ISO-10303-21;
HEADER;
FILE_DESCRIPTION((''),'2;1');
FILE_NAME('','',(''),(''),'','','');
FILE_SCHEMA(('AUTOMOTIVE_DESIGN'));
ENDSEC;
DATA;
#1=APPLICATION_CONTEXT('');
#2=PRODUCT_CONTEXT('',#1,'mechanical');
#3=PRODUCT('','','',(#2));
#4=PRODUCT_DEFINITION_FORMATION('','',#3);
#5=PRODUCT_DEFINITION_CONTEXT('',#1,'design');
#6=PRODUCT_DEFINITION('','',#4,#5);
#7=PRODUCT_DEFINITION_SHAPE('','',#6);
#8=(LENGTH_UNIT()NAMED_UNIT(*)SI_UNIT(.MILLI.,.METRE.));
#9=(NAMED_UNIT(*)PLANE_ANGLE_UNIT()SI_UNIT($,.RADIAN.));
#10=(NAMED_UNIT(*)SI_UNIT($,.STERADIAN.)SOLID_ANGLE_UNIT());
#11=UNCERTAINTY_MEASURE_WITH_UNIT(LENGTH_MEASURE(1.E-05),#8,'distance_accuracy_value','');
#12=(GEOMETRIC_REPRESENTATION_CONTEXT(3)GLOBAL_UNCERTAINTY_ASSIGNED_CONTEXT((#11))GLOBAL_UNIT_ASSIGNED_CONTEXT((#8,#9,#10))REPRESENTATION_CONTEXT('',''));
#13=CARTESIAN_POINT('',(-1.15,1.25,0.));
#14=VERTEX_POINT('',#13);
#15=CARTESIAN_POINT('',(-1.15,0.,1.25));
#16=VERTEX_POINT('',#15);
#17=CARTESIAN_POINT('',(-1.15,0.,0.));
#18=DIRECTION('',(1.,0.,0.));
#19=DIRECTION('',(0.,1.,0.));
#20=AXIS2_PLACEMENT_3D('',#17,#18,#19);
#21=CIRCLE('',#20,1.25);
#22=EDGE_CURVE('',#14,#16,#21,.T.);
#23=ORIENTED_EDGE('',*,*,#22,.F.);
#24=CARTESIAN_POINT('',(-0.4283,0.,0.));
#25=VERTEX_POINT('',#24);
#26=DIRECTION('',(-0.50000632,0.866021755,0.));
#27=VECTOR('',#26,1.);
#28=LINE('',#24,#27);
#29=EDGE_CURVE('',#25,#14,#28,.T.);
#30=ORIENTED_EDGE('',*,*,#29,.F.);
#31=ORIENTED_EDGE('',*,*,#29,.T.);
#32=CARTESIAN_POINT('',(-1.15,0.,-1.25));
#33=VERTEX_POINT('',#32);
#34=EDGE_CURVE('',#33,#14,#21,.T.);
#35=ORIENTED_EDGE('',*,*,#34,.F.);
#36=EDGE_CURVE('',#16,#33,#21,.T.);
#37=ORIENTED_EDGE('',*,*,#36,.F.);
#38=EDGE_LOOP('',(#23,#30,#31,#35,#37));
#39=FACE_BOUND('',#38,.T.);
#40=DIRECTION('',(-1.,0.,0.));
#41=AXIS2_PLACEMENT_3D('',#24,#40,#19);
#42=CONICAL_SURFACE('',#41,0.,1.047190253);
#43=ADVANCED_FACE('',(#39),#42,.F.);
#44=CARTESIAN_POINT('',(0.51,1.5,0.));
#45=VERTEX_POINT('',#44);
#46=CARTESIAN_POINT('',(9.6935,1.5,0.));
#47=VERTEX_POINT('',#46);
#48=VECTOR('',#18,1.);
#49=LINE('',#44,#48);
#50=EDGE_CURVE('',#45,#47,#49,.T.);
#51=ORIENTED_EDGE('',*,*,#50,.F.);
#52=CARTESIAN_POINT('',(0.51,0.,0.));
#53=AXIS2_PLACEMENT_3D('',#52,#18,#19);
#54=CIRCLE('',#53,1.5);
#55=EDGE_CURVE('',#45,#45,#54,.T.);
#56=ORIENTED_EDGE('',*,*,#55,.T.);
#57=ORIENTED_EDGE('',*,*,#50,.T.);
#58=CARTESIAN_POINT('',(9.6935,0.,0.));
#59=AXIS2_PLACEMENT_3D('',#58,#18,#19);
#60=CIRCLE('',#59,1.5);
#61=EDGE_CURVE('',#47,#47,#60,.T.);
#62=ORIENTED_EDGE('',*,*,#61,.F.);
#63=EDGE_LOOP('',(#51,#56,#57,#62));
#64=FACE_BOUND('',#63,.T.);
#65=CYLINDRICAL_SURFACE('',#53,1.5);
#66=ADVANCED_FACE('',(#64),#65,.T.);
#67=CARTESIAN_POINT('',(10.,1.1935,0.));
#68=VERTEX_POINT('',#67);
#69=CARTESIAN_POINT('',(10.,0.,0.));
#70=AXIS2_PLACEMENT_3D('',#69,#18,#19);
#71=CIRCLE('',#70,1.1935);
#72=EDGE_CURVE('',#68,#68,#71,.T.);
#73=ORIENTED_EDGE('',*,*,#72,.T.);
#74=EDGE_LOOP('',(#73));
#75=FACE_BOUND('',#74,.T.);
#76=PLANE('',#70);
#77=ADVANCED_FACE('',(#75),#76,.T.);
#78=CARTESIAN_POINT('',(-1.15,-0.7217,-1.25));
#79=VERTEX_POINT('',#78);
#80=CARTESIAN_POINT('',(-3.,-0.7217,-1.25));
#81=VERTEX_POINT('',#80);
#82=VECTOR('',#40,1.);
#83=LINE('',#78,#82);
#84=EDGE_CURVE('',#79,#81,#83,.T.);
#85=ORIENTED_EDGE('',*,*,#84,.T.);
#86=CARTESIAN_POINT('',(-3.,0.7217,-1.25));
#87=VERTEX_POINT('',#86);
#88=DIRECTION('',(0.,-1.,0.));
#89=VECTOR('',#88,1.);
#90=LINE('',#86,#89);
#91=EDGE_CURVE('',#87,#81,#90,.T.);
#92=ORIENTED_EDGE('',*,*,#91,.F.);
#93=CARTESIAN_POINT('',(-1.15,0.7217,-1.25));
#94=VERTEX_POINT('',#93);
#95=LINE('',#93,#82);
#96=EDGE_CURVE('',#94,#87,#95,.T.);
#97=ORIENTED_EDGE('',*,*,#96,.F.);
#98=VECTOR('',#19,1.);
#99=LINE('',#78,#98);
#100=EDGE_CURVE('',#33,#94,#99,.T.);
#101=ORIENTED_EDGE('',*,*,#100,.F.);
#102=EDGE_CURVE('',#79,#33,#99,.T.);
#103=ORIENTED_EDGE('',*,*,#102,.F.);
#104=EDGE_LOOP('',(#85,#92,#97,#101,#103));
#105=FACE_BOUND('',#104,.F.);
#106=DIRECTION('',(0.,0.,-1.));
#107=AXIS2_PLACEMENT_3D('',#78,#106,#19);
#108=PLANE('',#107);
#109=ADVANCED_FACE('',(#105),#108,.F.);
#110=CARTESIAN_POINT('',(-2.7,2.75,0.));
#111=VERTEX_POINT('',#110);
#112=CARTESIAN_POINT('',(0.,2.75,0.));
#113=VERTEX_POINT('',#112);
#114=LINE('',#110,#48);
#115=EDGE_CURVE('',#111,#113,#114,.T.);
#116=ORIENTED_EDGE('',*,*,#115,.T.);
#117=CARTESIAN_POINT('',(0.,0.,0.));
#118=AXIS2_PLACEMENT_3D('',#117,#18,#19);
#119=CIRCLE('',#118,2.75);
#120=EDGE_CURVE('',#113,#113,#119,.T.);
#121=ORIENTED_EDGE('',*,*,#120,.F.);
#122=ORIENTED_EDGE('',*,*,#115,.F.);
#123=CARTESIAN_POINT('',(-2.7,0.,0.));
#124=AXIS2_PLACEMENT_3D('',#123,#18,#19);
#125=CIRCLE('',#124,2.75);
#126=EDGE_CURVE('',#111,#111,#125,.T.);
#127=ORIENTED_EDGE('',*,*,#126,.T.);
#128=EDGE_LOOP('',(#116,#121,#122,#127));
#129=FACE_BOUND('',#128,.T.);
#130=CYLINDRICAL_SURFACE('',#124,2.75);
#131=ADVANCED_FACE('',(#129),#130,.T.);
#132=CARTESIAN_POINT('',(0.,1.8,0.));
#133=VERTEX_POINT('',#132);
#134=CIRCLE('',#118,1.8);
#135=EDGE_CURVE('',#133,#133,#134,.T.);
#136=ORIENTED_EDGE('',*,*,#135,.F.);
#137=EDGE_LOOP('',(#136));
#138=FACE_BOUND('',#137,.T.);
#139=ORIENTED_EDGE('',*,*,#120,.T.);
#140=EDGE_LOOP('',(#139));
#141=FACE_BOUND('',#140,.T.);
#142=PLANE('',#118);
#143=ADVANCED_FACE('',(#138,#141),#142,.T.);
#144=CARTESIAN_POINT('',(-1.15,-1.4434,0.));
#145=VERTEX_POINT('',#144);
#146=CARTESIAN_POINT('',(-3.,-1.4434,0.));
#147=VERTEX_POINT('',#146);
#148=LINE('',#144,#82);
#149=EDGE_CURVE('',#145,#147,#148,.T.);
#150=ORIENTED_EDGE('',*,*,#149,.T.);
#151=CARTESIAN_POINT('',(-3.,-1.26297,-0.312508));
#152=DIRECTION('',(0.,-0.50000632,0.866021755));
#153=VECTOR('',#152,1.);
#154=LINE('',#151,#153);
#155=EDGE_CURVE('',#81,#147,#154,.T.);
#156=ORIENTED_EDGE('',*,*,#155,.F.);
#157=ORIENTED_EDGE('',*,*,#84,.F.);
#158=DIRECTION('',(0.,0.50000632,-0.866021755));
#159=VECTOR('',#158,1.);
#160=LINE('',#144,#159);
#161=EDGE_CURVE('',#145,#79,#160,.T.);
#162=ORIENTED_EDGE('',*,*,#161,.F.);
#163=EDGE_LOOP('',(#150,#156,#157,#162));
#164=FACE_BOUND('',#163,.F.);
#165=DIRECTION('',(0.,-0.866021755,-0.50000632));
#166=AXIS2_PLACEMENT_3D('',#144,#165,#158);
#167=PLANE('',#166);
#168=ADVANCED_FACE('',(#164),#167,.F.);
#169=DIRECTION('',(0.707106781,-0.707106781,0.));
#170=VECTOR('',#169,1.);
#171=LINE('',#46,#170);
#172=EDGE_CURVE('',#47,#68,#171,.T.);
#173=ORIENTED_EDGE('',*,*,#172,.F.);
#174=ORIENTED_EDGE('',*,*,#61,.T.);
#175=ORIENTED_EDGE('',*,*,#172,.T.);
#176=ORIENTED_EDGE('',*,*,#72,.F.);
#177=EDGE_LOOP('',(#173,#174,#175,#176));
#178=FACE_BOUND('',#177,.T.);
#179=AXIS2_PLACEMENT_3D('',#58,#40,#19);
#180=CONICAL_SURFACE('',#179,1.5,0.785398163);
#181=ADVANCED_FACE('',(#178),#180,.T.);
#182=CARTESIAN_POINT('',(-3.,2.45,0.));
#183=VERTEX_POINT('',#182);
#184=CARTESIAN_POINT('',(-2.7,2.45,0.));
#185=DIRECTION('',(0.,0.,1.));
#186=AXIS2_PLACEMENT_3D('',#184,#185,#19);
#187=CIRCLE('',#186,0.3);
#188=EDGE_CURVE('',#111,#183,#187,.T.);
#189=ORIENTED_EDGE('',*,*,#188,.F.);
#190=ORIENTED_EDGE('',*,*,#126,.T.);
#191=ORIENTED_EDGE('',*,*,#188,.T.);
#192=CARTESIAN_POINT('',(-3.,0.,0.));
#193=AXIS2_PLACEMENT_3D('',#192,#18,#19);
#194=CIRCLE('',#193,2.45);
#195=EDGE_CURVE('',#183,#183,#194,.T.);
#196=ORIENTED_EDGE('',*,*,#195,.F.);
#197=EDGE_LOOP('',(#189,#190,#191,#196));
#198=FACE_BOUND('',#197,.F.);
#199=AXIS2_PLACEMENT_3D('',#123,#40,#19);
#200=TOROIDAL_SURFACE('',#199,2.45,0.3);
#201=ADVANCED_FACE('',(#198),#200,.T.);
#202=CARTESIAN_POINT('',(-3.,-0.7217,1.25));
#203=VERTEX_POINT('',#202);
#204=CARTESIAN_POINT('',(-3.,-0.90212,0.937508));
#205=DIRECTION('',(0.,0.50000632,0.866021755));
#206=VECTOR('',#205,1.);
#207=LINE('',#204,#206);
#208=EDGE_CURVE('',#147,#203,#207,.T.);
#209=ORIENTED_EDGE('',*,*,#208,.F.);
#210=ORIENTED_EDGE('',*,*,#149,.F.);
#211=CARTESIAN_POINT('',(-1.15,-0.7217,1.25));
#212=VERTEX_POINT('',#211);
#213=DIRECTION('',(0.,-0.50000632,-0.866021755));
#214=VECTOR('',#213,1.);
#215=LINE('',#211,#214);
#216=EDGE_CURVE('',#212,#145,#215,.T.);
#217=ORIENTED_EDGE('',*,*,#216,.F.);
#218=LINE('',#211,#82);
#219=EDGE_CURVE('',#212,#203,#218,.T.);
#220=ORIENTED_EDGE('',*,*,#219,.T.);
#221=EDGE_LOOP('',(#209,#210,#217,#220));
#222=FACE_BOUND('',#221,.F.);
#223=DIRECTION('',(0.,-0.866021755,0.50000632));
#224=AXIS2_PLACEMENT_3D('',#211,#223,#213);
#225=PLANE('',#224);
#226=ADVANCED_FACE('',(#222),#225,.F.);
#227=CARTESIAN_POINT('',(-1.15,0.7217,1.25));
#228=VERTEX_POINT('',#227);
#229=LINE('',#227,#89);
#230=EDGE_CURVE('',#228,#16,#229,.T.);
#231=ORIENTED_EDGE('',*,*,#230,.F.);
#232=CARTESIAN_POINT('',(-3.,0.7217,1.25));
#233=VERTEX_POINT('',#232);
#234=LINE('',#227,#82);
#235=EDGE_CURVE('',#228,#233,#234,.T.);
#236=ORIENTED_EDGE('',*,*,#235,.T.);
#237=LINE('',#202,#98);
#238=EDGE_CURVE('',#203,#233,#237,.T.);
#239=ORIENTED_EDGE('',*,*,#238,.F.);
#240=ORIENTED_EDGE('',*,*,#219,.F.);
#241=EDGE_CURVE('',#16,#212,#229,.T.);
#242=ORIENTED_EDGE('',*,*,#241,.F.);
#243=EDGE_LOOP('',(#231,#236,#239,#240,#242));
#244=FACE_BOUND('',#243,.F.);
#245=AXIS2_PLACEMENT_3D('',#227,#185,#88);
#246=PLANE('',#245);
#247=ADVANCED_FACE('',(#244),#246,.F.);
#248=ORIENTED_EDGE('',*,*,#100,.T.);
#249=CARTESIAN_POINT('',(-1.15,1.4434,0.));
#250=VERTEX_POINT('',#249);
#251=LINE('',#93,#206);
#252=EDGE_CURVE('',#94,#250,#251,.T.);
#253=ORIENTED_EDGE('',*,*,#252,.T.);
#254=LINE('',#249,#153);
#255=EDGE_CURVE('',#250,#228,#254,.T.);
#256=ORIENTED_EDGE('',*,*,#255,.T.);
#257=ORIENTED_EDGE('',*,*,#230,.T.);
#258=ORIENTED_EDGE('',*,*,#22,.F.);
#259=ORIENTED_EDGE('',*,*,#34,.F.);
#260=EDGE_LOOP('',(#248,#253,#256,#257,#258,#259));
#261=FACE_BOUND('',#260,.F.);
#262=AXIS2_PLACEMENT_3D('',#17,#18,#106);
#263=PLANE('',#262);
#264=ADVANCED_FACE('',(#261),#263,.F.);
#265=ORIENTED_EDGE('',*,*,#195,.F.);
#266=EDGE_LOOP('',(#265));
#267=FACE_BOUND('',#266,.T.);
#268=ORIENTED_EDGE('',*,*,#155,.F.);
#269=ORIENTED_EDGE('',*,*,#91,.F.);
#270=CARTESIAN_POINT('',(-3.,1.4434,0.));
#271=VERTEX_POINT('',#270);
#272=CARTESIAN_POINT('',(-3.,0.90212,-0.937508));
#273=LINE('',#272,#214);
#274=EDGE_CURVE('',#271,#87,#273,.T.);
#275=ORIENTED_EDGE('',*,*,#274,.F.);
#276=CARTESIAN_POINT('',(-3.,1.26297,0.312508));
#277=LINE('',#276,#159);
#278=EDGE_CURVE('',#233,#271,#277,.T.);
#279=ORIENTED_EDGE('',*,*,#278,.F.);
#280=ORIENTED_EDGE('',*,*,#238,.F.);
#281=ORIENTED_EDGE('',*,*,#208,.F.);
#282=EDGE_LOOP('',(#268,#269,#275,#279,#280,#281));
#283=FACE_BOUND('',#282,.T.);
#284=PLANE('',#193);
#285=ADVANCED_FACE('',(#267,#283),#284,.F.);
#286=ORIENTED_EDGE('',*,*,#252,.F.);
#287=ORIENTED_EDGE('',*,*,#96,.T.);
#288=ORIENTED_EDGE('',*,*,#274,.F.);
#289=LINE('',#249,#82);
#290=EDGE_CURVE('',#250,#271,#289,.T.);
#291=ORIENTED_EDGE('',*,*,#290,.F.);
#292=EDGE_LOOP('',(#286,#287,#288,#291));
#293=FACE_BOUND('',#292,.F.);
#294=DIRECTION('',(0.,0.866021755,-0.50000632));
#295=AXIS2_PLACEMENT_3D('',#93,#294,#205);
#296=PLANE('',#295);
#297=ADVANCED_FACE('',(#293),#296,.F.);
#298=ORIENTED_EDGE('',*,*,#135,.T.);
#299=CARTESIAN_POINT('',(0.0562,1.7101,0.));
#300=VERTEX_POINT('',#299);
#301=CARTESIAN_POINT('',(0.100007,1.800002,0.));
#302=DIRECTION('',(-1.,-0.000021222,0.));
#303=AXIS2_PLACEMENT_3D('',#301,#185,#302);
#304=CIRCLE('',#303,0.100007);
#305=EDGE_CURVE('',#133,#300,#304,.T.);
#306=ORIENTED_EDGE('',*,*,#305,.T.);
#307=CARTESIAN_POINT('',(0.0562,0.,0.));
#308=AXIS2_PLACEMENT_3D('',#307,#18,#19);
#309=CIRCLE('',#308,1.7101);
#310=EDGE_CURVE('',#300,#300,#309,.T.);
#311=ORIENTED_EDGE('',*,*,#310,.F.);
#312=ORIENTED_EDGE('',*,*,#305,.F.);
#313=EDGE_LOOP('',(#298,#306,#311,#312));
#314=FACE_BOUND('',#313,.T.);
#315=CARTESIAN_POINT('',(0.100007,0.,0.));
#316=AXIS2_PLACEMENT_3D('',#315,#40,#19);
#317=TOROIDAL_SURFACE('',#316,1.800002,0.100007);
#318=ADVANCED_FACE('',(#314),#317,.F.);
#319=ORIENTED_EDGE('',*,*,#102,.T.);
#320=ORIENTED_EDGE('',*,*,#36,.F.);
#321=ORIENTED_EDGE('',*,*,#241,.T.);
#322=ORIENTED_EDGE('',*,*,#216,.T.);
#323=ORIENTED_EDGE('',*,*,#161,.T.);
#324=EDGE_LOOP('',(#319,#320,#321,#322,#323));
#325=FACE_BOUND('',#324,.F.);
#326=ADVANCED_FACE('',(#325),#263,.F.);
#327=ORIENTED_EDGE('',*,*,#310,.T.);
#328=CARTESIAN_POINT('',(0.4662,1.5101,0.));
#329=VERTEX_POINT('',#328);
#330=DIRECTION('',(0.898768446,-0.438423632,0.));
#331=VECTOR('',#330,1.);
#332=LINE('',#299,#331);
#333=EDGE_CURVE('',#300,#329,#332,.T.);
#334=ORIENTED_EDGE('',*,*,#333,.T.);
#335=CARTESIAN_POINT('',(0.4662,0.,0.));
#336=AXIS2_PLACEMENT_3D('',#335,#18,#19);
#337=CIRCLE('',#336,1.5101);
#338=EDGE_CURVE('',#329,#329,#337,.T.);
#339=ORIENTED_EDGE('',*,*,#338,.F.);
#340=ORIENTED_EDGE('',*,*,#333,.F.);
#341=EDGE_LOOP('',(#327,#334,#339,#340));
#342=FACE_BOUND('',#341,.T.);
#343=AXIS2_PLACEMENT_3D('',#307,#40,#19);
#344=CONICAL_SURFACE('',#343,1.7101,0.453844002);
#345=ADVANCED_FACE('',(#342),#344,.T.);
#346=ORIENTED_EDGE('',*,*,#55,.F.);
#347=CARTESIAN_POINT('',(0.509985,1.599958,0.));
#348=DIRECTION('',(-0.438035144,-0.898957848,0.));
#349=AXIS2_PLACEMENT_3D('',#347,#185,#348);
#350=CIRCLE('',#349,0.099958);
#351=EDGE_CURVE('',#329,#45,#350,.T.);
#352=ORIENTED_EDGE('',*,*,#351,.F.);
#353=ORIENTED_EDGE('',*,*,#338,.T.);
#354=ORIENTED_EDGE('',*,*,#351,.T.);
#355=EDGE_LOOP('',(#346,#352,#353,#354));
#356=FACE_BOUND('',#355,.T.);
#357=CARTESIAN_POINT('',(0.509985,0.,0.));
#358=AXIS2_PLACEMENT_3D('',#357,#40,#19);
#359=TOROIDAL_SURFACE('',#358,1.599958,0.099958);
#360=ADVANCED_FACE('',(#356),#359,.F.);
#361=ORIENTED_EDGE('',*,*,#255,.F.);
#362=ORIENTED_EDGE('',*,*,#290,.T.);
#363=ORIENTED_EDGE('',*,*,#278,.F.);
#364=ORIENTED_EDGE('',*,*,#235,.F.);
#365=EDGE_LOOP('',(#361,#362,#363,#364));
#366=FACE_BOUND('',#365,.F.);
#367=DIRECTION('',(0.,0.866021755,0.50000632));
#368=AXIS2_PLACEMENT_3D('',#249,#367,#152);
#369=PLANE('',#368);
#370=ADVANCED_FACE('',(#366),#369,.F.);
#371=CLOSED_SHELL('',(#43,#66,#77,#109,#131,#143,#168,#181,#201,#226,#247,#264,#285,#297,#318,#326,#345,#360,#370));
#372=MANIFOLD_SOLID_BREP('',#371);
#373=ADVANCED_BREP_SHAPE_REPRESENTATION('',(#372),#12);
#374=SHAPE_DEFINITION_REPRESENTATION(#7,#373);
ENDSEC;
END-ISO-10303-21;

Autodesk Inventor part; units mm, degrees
sketch "Skizze_2" plane through (0, 0, 0) normal (0, 0, 1) x (1, 0, 0)
  line L0 (10, 0) -> (-0.4283, 0)
  line L1 (-0.4283, 0) -> (-1.15, 1.25)
  line L2 (-1.15, 1.25) -> (-3, 1.25)
  line L3 (-3, 1.25) -> (-3, 2.45)
  arc A0 (-2.7, 2.75) -> (-3, 2.45) centre (-2.7, 2.45) ccw
  line L4 (-2.7, 2.75) -> (0, 2.75)
  line L5 (0, 2.75) -> (0, 1.8)
  arc A1 (0, 1.8) -> (0.0562, 1.7101) centre (0.1, 1.8) ccw
  line L6 (0.0562, 1.7101) -> (0.4662, 1.5101)
  arc A2 (0.4662, 1.5101) -> (0.51, 1.5) centre (0.51, 1.6) ccw
  line L7 (0.51, 1.5) -> (9.6935, 1.5)
  line L8 (9.6935, 1.5) -> (10, 1.1935)
  line L9 (10, 1.1935) -> (10, 0)
  line L10 (10, 0) -> (-0.4283, 0)
revolve "Revolution1" add sketch "Skizze_2" angle 360 about axis through (10, 0, 0) along (1, 0, 0)
thread "Thread1" size "M3x0.5" class "6g" standard "ISO Metric profile" length 1.1935
sketch "Skizze_1" plane through (-1.15, 0, 0) normal (1, 0, 0) x (0, 0, -1)
  line L0 (-1.25, -0.7217) -> (0, -1.4434)
  line L1 (0, -1.4434) -> (1.25, -0.7217)
  line L2 (1.25, -0.7217) -> (1.25, 0.7217)
  line L3 (1.25, 0.7217) -> (0, 1.4434)
  line L4 (0, 1.4434) -> (-1.25, 0.7217)
  line L5 (-1.25, 0.7217) -> (-1.25, -0.7217)
extrude "Extrusion1" cut sketch "Skizze_1" against normal blind 2.6
ref_plane "IP1_XY" through (0, 0, 0) normal (1, 0, 0) x (0, 0, -1)
ref_plane "IP1_YZ" through (0, 0, 0) normal (0, 0, -1) x (0, 1, 0)
ref_plane "IP1_ZX" through (0, 0, 0) normal (0, 1, 0) x (1, 0, 0)
ref_plane "IP2_XY" through (-3, 0, 0) normal (1, 0, 0) x (0, 0, -1)
ref_plane "IP2_YZ" through (-3, 0, 0) normal (0, 0, -1) x (0, 1, 0)
ref_plane "IP2_ZX" through (-3, 0, 0) normal (0, 1, 0) x (1, 0, 0)
ref_plane "IP3_XY" through (10, 0, 0) normal (1, 0, 0) x (0, 0, -1)
ref_plane "IP3_YZ" through (10, 0, 0) normal (0, 0, -1) x (0, 1, 0)
ref_plane "IP3_ZX" through (10, 0, 0) normal (0, 1, 0) x (1, 0, 0)
ref_plane "IP4_XY" through (0, 0, 0) normal (1, 0, 0) x (0, 0, -1)
ref_plane "IP4_YZ" through (0, 0, 0) normal (0, 0, -1) x (0, 1, 0)
ref_plane "IP4_ZX" through (0, 0, 0) normal (0, 1, 0) x (1, 0, 0)
properties part number "Slotted head cap screw ISO 4762 - M3x10" material "鉄、鋳鉄"
